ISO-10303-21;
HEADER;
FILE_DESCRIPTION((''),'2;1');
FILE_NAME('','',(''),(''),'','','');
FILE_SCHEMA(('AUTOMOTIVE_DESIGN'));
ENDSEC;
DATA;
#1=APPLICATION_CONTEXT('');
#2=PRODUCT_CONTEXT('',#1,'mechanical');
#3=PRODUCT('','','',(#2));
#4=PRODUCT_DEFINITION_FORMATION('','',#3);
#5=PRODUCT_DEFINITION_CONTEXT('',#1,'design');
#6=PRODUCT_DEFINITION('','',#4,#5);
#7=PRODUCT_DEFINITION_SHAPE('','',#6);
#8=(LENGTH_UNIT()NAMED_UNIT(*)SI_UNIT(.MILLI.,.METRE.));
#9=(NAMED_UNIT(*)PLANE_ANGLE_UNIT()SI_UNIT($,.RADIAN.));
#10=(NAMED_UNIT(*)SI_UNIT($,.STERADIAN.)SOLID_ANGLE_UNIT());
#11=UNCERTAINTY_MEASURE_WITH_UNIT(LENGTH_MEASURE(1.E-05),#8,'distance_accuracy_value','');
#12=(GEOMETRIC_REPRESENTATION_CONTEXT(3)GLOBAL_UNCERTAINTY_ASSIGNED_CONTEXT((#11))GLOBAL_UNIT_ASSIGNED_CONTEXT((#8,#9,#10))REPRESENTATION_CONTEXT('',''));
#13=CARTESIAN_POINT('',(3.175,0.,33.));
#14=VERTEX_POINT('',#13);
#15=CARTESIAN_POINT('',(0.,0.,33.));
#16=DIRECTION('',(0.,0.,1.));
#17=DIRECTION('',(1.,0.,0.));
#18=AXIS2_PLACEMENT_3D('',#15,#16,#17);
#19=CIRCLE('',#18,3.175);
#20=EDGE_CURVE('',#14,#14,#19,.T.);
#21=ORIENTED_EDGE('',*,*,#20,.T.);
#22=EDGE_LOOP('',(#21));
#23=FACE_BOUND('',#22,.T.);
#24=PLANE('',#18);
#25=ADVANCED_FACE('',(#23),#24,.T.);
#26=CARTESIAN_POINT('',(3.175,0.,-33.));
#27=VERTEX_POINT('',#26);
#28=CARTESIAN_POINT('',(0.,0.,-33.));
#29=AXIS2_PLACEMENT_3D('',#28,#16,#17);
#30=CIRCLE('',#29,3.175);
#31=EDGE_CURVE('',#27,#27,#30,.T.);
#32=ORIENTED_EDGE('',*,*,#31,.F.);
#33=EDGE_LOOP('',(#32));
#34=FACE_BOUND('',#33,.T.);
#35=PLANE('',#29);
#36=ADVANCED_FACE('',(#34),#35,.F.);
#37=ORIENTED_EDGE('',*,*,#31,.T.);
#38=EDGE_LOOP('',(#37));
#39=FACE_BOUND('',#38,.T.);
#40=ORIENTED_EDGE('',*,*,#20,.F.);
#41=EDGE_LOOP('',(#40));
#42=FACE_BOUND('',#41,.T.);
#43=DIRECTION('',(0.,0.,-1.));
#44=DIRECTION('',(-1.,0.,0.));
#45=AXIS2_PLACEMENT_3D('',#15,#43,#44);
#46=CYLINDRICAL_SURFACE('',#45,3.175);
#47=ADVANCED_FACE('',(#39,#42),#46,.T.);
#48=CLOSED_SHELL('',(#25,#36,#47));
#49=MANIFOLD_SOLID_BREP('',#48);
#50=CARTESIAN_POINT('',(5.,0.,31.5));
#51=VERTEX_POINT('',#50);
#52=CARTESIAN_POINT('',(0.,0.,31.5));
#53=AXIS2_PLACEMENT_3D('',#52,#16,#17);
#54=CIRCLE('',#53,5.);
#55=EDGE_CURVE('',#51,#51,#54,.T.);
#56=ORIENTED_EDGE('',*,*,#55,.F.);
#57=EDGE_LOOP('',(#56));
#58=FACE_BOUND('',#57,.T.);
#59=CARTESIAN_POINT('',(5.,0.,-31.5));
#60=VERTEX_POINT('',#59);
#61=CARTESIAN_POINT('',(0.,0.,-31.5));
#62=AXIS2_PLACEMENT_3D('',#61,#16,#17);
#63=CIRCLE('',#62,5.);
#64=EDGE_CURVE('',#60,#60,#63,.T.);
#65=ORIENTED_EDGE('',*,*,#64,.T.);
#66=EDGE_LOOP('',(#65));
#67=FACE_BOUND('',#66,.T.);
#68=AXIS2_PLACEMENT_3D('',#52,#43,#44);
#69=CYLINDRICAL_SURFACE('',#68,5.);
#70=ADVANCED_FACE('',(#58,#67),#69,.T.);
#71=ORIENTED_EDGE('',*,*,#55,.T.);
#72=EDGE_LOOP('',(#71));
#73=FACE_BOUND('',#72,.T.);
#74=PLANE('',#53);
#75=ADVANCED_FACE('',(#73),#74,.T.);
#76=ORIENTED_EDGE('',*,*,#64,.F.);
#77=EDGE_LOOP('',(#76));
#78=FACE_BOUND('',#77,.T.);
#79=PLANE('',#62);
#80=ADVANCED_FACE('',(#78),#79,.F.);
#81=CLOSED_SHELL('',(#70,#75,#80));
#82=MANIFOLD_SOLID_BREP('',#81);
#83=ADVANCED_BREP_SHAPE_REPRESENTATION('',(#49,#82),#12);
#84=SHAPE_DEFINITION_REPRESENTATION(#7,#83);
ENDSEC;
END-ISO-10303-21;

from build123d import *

# Parameters (mm, degrees)
SKETCH1_R           = 3.175
BOSS_EXTRUDE1_DEPTH = 33
SKETCH2_R           = 5
BOSS_EXTRUDE2_DEPTH = 31.5


with BuildPart() as part:
    # Sketch1 → Boss-Extrude1 (new body, symmetric)
    with BuildSketch(Plane.XY):
        Circle(SKETCH1_R)
    extrude(amount=BOSS_EXTRUDE1_DEPTH, both=True)


with BuildPart() as body_2:
    # Sketch2 → Boss-Extrude2 (new body, symmetric)
    with BuildSketch(Plane.XY):
        Circle(SKETCH2_R)
    extrude(amount=BOSS_EXTRUDE2_DEPTH, both=True)


solid = Compound([part.part, body_2.part])
